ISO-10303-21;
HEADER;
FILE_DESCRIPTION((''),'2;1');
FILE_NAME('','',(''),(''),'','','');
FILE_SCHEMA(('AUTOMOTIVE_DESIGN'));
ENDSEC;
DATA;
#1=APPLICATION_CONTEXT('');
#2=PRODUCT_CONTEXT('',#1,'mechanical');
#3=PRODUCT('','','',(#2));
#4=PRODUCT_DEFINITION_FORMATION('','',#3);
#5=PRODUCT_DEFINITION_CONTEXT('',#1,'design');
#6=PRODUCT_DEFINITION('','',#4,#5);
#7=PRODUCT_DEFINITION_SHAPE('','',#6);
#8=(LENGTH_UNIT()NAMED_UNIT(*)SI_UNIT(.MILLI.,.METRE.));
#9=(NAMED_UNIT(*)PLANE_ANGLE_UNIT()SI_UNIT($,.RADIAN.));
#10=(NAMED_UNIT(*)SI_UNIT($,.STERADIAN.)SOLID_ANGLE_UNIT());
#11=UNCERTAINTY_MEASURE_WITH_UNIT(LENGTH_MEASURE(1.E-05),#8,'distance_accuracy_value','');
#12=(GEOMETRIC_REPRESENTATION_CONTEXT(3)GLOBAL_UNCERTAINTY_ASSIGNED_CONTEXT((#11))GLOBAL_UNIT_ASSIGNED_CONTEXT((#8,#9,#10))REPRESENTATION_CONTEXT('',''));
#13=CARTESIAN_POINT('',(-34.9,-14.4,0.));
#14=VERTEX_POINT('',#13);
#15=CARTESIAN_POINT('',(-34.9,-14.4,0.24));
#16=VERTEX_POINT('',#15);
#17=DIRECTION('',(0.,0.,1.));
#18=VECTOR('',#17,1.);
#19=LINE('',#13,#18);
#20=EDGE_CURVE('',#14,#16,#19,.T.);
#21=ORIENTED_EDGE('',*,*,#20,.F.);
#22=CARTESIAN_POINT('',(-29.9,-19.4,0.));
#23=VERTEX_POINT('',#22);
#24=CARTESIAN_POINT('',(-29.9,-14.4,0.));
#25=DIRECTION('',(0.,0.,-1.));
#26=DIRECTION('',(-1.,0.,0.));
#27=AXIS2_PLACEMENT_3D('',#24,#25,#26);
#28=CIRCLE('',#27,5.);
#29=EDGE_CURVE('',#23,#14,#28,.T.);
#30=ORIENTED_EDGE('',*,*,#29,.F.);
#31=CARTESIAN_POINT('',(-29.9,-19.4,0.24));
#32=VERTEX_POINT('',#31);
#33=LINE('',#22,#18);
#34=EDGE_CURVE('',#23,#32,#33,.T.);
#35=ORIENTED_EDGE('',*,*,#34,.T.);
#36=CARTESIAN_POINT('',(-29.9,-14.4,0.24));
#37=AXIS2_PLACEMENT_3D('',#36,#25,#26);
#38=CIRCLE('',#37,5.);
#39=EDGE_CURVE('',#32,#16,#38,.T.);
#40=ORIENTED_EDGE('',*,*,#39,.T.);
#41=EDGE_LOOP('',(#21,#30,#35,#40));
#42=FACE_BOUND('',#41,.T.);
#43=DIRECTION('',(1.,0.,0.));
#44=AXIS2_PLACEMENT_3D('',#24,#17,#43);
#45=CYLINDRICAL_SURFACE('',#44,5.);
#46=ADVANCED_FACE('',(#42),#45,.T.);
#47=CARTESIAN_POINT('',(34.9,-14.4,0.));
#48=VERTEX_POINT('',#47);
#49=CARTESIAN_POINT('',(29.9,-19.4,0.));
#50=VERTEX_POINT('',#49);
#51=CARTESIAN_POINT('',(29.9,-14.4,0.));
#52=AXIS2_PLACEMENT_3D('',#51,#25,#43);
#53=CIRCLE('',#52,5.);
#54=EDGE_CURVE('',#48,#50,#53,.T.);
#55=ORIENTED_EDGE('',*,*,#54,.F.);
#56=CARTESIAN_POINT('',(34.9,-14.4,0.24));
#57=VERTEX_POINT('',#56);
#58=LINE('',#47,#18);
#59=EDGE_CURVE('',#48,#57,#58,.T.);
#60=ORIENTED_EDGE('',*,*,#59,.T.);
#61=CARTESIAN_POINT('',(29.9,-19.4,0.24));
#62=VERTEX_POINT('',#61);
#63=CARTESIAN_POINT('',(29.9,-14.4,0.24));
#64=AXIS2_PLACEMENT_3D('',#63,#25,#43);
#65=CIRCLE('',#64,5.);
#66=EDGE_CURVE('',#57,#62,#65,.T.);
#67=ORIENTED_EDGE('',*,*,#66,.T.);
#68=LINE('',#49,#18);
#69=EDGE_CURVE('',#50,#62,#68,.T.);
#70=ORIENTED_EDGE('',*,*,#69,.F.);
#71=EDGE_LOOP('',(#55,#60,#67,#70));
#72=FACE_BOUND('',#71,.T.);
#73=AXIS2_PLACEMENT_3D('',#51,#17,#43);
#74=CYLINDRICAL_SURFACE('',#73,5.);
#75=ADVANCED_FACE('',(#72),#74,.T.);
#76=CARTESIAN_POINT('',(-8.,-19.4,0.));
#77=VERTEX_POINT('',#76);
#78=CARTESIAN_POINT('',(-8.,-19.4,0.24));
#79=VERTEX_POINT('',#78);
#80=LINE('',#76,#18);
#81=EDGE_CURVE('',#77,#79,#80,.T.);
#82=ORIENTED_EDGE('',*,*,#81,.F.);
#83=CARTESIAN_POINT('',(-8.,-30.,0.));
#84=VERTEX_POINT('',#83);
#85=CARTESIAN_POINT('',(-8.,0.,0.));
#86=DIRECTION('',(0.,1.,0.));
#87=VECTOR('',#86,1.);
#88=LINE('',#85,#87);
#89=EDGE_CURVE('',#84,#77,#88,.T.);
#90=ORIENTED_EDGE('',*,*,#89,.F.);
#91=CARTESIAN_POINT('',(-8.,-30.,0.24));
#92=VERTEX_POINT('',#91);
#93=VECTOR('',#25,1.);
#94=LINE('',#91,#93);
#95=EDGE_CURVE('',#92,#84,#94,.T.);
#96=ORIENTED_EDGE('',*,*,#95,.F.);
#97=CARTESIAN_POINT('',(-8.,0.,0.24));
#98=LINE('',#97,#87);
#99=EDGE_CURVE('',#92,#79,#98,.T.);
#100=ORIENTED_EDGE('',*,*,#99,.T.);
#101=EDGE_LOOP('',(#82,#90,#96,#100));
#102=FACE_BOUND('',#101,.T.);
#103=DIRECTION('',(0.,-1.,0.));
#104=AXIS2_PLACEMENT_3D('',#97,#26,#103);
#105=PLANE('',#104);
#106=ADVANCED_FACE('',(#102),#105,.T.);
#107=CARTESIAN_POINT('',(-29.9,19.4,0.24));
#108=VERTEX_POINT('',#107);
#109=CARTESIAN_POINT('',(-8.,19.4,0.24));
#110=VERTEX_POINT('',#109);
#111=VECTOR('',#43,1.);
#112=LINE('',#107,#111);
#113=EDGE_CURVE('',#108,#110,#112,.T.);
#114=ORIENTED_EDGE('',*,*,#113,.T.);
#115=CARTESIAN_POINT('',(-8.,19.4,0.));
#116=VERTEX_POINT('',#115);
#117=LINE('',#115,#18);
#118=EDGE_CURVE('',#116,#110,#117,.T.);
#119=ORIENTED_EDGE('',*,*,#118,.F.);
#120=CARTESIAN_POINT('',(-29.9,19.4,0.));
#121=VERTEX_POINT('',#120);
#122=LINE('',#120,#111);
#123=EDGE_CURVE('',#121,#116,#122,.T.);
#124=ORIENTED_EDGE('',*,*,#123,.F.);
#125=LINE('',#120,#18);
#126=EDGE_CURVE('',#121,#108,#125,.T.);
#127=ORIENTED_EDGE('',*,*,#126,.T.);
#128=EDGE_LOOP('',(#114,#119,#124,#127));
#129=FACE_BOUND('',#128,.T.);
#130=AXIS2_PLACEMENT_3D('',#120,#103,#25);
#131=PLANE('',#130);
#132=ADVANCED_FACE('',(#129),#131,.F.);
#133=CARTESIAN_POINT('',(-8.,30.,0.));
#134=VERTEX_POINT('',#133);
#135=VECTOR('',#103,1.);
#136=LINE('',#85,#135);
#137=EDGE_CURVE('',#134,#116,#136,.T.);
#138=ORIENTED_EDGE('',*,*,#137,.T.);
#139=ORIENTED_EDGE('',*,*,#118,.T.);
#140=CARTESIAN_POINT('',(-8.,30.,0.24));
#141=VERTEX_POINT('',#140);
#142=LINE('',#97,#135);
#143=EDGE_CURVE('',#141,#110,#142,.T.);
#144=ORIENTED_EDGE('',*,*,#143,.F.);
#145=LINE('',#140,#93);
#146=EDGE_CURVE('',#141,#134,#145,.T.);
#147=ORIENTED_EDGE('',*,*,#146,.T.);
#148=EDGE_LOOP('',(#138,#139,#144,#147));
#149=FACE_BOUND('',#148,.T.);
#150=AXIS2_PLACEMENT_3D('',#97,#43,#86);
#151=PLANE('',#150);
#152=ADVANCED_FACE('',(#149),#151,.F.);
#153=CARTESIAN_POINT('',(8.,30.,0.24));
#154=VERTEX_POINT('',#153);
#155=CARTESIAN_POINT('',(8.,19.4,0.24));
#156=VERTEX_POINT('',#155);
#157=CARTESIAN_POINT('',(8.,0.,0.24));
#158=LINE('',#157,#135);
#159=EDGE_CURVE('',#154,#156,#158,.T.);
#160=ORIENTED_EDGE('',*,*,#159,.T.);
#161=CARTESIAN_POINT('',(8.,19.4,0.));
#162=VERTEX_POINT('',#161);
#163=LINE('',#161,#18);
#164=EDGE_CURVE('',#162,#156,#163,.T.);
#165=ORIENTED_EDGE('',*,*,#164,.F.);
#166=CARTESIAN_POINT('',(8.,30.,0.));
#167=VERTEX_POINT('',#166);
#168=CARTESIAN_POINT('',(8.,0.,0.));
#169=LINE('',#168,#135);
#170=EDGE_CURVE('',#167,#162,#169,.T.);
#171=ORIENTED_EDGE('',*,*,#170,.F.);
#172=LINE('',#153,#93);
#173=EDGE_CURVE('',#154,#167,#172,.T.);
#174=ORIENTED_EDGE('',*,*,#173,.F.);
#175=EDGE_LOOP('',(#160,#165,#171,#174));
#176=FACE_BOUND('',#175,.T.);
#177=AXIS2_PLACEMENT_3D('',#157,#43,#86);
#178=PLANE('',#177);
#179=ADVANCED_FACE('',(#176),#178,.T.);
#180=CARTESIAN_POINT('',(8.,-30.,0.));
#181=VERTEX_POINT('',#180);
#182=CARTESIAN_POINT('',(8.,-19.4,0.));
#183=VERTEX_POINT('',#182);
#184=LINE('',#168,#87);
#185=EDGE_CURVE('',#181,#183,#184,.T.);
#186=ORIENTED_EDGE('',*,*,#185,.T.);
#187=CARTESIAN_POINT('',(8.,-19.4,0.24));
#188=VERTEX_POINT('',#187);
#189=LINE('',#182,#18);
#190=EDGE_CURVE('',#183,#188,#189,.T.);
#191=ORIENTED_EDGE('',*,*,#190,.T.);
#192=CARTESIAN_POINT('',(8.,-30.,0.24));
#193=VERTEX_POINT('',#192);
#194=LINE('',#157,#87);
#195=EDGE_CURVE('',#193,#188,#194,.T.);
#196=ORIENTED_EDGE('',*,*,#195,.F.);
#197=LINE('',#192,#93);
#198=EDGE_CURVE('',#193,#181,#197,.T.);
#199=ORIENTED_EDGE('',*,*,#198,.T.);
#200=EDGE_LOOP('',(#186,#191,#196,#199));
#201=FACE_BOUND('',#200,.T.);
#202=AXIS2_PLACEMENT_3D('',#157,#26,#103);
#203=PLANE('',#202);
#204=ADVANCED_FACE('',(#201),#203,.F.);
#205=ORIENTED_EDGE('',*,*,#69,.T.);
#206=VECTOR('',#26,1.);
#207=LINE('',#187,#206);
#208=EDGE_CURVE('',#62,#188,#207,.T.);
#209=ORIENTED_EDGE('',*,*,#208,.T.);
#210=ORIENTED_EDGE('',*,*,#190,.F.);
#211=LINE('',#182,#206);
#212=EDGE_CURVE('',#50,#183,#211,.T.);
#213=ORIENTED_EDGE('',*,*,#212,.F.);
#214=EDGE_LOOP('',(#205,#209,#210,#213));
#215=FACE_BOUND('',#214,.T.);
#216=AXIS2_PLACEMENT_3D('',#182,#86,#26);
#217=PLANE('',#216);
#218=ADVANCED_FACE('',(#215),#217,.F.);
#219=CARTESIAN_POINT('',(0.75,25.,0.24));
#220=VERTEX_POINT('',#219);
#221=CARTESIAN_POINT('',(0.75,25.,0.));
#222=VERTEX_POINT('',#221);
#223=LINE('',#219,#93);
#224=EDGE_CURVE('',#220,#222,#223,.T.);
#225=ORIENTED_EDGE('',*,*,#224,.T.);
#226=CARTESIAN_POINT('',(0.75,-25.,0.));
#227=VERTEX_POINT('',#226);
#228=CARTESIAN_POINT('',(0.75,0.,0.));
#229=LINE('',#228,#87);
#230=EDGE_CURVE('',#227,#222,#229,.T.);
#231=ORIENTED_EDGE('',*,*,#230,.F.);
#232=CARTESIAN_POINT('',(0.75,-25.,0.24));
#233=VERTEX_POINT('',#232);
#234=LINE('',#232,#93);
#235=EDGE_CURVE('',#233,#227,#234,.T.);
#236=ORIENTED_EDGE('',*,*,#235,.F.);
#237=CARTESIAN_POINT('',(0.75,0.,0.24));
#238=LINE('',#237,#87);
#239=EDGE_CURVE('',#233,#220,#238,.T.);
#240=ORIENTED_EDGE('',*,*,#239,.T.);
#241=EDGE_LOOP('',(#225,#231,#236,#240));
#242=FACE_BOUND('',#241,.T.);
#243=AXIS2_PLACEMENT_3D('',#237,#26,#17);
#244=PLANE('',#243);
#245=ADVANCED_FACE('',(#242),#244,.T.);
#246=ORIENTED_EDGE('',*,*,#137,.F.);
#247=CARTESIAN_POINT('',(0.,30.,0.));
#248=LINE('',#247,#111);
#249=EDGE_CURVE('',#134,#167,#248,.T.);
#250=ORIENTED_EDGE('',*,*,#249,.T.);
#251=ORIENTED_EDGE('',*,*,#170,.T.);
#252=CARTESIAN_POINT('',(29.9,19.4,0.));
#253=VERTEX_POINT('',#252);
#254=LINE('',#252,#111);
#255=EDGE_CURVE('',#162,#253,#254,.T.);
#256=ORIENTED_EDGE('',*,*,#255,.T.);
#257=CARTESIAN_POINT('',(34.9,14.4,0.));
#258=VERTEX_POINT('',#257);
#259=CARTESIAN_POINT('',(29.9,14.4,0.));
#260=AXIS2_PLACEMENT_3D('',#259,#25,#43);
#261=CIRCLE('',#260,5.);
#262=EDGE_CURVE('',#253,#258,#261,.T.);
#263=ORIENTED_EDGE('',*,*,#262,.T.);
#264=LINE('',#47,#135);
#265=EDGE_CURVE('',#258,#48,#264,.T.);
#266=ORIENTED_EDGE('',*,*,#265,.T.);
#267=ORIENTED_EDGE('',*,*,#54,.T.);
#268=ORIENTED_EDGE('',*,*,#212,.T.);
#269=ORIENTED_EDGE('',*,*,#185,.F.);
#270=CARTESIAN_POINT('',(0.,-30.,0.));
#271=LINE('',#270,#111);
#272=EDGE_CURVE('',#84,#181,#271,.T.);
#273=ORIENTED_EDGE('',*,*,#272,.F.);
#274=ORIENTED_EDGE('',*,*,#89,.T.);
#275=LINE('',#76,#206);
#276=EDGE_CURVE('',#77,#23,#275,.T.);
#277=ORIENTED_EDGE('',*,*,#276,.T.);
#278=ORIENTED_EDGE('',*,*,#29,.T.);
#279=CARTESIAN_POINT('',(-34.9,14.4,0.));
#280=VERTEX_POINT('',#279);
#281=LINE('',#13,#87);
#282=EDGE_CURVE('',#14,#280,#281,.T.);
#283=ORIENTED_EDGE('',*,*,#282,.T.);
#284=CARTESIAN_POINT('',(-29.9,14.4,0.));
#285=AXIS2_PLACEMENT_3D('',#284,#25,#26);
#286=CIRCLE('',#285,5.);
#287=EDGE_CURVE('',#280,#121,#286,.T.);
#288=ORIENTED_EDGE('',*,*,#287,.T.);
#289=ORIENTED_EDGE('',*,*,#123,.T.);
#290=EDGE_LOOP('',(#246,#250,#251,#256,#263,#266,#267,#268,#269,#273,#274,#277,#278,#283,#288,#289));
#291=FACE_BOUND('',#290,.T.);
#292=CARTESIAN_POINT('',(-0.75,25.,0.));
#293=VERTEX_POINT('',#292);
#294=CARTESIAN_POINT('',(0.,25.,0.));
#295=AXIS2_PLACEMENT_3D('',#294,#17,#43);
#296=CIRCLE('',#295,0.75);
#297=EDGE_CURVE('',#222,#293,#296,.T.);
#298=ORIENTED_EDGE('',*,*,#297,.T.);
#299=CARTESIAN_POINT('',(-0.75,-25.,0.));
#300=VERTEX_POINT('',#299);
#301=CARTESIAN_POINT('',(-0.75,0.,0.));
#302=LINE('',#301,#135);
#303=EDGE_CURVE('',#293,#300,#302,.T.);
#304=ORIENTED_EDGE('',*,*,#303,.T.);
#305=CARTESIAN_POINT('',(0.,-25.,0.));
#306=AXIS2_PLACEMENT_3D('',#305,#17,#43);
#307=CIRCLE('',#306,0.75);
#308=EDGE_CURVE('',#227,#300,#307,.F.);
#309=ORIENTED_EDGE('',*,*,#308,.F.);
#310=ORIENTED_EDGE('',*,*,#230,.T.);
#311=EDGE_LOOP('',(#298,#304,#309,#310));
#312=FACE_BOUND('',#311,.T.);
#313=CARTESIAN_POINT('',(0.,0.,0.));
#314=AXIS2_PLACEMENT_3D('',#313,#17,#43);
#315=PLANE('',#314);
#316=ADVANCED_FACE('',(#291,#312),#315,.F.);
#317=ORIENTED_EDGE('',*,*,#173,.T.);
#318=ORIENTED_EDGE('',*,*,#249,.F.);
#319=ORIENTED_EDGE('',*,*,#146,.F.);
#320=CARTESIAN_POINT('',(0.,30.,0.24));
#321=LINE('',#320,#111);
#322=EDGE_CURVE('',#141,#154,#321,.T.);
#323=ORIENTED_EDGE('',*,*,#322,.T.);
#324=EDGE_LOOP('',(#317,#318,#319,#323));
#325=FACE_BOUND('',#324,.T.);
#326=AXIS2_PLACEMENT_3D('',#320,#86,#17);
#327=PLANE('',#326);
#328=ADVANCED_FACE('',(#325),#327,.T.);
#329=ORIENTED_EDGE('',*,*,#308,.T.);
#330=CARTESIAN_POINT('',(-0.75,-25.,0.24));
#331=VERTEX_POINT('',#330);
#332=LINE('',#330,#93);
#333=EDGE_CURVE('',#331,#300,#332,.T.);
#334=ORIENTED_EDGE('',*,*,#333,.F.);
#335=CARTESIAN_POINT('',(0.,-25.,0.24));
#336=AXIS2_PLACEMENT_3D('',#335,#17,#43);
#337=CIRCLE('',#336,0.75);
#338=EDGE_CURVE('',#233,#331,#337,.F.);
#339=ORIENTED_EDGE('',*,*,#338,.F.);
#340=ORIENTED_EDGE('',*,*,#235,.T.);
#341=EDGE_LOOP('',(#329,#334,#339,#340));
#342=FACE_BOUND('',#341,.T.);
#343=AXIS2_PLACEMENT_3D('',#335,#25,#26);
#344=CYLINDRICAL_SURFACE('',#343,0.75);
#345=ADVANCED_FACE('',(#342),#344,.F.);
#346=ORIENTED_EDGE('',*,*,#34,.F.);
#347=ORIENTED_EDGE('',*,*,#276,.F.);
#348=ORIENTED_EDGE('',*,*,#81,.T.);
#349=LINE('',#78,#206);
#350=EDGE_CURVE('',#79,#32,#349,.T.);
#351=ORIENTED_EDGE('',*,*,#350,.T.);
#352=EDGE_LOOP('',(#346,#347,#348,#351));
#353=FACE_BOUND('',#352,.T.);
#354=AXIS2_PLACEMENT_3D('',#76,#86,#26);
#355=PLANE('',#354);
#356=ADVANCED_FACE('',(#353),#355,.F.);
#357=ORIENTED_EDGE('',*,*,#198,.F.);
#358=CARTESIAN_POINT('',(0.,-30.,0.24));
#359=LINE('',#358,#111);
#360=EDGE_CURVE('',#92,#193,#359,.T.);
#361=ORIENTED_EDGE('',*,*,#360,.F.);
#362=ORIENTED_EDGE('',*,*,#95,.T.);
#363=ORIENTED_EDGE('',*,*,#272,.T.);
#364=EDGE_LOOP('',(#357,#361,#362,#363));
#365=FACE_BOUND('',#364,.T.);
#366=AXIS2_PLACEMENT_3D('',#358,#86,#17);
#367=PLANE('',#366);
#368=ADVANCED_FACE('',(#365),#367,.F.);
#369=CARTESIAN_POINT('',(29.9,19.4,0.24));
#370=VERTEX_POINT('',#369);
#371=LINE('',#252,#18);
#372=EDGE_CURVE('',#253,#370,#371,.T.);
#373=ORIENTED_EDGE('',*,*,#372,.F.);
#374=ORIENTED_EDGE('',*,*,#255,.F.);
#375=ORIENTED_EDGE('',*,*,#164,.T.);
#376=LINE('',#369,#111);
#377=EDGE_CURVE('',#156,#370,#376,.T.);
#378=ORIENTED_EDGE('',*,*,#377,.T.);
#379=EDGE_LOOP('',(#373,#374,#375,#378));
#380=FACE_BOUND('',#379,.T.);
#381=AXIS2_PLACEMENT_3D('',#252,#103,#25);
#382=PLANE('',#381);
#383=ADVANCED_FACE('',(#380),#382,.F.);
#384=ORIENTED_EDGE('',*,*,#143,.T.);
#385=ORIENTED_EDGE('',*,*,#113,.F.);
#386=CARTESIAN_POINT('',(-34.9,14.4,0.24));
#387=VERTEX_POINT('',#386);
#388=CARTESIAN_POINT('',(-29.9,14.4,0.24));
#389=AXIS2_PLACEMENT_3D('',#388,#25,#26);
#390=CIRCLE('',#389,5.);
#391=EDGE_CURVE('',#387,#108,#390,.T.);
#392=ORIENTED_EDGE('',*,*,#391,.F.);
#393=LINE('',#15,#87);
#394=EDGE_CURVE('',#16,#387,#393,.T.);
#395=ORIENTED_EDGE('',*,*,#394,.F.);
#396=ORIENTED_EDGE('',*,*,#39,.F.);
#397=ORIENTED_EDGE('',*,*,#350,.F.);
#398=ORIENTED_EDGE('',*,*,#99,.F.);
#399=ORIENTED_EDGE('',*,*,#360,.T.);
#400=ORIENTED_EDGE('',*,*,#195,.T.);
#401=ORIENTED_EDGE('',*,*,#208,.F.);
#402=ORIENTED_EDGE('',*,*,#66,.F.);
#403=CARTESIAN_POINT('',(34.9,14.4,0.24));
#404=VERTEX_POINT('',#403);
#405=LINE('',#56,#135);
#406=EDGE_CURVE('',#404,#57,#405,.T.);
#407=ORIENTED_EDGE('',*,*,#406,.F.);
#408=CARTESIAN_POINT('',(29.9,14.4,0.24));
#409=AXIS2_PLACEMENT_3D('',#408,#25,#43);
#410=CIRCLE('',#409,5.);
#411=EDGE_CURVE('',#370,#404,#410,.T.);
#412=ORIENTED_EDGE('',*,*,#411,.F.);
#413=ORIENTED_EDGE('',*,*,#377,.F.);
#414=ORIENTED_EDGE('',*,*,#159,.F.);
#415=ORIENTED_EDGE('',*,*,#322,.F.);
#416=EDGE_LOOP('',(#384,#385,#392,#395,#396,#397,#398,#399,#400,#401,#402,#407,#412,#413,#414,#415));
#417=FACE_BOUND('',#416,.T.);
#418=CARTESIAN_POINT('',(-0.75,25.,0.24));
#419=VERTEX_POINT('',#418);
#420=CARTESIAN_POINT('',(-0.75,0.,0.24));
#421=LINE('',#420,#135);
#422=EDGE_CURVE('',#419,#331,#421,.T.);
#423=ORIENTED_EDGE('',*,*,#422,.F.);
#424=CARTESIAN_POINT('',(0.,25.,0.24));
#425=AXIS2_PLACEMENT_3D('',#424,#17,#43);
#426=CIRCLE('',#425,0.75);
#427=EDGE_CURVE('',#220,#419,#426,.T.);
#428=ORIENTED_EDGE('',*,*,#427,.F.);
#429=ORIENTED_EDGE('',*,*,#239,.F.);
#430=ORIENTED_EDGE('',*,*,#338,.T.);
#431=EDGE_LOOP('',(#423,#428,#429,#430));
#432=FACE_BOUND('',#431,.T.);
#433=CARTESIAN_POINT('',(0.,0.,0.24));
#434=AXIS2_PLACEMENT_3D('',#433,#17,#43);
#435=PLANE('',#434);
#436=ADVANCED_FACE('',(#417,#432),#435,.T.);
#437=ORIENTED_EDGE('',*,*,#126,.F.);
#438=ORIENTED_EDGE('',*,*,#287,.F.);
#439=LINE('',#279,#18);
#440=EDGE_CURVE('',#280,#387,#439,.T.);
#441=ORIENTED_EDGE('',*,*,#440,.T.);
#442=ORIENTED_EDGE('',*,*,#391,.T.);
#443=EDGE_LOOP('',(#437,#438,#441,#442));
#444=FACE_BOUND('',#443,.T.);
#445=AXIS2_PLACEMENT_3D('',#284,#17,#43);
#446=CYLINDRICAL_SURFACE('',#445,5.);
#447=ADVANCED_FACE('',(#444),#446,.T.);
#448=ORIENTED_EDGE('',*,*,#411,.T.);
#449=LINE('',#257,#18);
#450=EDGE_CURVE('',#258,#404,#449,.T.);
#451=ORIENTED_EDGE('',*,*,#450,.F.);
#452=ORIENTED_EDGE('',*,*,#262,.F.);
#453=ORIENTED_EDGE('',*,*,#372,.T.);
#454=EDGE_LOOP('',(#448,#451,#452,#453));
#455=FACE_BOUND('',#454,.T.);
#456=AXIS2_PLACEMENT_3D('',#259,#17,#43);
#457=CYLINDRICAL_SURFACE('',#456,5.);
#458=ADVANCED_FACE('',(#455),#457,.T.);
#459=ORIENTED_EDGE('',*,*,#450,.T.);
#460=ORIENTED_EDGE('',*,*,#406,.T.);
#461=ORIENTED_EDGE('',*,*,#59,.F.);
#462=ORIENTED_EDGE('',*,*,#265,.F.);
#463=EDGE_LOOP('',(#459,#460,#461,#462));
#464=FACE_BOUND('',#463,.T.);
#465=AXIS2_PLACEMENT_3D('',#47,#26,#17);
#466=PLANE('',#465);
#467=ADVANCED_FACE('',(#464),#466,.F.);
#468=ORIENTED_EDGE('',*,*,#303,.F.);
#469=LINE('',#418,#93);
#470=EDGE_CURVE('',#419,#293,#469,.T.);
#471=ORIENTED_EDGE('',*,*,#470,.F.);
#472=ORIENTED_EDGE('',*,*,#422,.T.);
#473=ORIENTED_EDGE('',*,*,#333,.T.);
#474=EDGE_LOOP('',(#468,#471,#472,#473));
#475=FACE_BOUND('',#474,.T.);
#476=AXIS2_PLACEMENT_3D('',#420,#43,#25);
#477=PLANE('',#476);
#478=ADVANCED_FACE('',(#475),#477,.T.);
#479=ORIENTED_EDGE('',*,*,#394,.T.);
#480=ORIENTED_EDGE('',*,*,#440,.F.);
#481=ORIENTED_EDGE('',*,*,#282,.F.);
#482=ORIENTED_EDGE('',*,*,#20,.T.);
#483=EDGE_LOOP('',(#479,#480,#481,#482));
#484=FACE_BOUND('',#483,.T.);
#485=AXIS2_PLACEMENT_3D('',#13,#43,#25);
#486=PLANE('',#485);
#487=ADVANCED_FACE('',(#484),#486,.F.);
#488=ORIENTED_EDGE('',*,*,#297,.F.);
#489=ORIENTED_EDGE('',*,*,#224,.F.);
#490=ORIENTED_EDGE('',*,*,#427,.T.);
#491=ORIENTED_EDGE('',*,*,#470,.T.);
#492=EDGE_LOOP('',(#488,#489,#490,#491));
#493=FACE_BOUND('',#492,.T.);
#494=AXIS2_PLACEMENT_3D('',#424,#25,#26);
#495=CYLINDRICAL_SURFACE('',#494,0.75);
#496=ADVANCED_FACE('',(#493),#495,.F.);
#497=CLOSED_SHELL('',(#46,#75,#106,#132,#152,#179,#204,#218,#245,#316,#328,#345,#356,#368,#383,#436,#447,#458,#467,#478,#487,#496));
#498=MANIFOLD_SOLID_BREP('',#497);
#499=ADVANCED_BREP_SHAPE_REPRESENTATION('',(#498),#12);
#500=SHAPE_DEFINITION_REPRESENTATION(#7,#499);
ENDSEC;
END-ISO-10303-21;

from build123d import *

# Parameters (mm, degrees)
EXTRUDE_1_DEPTH     = 0.24
CUT_EXTRUDE_1_DEPTH = 49.415468603


with BuildPart() as part:
    # 草圖1 → 填料-伸長1 (new body)
    with BuildSketch(Plane.XY):
        Polygon((8, 30), (-8, 30), (-8, 20), (-38, 20), (-38, -20), (-8, -20), (-8, -30), (8, -30), (8, -20), (38, -20), (38, 20), (8, 20), align=None)
        with BuildLine():
            Line((-0.75, -25), (-0.75, 25))
            ThreePointArc((-0.75, 25), (0, 25.75), (0.75, 25))
            Line((0.75, 25), (0.75, -25))
            ThreePointArc((0.75, -25), (0, -25.75), (-0.75, -25))
        make_face(mode=Mode.SUBTRACT)
    extrude(amount=EXTRUDE_1_DEPTH)

    # 草圖2 → 除料-伸長1 (cut, through all)
    with BuildSketch(Plane.XY.offset(0.24)):
        with BuildLine():
            Line((-8, 20), (-38, 20))
            Line((-38, 20), (-38, -20))
            Line((-38, -20), (-8, -20))
            Line((-8, -20), (-8, -19.4))
            Line((-8, -19.4), (-29.9, -19.4))
            ThreePointArc((-29.9, -19.4), (-33.435533906, -17.935533906), (-34.9, -14.4))
            Line((-34.9, -14.4), (-34.9, 14.4))
            ThreePointArc((-34.9, 14.4), (-33.435533906, 17.935533906), (-29.9, 19.4))
            Line((-29.9, 19.4), (-8, 19.4))
            Line((-8, 19.4), (-8, 20))
        make_face()
        with BuildLine():
            Line((8, 19.4), (8, 20))
            Line((8, 20), (38, 20))
            Line((38, 20), (38, -20))
            Line((38, -20), (8, -20))
            Line((8, -20), (8, -19.4))
            Line((8, -19.4), (29.9, -19.4))
            ThreePointArc((29.9, -19.4), (33.435533906, -17.935533906), (34.9, -14.4))
            Line((34.9, -14.4), (34.9, 14.4))
            ThreePointArc((34.9, 14.4), (33.435533906, 17.935533906), (29.9, 19.4))
            Line((29.9, 19.4), (8, 19.4))
        make_face()
    extrude(amount=-CUT_EXTRUDE_1_DEPTH, mode=Mode.SUBTRACT)


solid = part.part
